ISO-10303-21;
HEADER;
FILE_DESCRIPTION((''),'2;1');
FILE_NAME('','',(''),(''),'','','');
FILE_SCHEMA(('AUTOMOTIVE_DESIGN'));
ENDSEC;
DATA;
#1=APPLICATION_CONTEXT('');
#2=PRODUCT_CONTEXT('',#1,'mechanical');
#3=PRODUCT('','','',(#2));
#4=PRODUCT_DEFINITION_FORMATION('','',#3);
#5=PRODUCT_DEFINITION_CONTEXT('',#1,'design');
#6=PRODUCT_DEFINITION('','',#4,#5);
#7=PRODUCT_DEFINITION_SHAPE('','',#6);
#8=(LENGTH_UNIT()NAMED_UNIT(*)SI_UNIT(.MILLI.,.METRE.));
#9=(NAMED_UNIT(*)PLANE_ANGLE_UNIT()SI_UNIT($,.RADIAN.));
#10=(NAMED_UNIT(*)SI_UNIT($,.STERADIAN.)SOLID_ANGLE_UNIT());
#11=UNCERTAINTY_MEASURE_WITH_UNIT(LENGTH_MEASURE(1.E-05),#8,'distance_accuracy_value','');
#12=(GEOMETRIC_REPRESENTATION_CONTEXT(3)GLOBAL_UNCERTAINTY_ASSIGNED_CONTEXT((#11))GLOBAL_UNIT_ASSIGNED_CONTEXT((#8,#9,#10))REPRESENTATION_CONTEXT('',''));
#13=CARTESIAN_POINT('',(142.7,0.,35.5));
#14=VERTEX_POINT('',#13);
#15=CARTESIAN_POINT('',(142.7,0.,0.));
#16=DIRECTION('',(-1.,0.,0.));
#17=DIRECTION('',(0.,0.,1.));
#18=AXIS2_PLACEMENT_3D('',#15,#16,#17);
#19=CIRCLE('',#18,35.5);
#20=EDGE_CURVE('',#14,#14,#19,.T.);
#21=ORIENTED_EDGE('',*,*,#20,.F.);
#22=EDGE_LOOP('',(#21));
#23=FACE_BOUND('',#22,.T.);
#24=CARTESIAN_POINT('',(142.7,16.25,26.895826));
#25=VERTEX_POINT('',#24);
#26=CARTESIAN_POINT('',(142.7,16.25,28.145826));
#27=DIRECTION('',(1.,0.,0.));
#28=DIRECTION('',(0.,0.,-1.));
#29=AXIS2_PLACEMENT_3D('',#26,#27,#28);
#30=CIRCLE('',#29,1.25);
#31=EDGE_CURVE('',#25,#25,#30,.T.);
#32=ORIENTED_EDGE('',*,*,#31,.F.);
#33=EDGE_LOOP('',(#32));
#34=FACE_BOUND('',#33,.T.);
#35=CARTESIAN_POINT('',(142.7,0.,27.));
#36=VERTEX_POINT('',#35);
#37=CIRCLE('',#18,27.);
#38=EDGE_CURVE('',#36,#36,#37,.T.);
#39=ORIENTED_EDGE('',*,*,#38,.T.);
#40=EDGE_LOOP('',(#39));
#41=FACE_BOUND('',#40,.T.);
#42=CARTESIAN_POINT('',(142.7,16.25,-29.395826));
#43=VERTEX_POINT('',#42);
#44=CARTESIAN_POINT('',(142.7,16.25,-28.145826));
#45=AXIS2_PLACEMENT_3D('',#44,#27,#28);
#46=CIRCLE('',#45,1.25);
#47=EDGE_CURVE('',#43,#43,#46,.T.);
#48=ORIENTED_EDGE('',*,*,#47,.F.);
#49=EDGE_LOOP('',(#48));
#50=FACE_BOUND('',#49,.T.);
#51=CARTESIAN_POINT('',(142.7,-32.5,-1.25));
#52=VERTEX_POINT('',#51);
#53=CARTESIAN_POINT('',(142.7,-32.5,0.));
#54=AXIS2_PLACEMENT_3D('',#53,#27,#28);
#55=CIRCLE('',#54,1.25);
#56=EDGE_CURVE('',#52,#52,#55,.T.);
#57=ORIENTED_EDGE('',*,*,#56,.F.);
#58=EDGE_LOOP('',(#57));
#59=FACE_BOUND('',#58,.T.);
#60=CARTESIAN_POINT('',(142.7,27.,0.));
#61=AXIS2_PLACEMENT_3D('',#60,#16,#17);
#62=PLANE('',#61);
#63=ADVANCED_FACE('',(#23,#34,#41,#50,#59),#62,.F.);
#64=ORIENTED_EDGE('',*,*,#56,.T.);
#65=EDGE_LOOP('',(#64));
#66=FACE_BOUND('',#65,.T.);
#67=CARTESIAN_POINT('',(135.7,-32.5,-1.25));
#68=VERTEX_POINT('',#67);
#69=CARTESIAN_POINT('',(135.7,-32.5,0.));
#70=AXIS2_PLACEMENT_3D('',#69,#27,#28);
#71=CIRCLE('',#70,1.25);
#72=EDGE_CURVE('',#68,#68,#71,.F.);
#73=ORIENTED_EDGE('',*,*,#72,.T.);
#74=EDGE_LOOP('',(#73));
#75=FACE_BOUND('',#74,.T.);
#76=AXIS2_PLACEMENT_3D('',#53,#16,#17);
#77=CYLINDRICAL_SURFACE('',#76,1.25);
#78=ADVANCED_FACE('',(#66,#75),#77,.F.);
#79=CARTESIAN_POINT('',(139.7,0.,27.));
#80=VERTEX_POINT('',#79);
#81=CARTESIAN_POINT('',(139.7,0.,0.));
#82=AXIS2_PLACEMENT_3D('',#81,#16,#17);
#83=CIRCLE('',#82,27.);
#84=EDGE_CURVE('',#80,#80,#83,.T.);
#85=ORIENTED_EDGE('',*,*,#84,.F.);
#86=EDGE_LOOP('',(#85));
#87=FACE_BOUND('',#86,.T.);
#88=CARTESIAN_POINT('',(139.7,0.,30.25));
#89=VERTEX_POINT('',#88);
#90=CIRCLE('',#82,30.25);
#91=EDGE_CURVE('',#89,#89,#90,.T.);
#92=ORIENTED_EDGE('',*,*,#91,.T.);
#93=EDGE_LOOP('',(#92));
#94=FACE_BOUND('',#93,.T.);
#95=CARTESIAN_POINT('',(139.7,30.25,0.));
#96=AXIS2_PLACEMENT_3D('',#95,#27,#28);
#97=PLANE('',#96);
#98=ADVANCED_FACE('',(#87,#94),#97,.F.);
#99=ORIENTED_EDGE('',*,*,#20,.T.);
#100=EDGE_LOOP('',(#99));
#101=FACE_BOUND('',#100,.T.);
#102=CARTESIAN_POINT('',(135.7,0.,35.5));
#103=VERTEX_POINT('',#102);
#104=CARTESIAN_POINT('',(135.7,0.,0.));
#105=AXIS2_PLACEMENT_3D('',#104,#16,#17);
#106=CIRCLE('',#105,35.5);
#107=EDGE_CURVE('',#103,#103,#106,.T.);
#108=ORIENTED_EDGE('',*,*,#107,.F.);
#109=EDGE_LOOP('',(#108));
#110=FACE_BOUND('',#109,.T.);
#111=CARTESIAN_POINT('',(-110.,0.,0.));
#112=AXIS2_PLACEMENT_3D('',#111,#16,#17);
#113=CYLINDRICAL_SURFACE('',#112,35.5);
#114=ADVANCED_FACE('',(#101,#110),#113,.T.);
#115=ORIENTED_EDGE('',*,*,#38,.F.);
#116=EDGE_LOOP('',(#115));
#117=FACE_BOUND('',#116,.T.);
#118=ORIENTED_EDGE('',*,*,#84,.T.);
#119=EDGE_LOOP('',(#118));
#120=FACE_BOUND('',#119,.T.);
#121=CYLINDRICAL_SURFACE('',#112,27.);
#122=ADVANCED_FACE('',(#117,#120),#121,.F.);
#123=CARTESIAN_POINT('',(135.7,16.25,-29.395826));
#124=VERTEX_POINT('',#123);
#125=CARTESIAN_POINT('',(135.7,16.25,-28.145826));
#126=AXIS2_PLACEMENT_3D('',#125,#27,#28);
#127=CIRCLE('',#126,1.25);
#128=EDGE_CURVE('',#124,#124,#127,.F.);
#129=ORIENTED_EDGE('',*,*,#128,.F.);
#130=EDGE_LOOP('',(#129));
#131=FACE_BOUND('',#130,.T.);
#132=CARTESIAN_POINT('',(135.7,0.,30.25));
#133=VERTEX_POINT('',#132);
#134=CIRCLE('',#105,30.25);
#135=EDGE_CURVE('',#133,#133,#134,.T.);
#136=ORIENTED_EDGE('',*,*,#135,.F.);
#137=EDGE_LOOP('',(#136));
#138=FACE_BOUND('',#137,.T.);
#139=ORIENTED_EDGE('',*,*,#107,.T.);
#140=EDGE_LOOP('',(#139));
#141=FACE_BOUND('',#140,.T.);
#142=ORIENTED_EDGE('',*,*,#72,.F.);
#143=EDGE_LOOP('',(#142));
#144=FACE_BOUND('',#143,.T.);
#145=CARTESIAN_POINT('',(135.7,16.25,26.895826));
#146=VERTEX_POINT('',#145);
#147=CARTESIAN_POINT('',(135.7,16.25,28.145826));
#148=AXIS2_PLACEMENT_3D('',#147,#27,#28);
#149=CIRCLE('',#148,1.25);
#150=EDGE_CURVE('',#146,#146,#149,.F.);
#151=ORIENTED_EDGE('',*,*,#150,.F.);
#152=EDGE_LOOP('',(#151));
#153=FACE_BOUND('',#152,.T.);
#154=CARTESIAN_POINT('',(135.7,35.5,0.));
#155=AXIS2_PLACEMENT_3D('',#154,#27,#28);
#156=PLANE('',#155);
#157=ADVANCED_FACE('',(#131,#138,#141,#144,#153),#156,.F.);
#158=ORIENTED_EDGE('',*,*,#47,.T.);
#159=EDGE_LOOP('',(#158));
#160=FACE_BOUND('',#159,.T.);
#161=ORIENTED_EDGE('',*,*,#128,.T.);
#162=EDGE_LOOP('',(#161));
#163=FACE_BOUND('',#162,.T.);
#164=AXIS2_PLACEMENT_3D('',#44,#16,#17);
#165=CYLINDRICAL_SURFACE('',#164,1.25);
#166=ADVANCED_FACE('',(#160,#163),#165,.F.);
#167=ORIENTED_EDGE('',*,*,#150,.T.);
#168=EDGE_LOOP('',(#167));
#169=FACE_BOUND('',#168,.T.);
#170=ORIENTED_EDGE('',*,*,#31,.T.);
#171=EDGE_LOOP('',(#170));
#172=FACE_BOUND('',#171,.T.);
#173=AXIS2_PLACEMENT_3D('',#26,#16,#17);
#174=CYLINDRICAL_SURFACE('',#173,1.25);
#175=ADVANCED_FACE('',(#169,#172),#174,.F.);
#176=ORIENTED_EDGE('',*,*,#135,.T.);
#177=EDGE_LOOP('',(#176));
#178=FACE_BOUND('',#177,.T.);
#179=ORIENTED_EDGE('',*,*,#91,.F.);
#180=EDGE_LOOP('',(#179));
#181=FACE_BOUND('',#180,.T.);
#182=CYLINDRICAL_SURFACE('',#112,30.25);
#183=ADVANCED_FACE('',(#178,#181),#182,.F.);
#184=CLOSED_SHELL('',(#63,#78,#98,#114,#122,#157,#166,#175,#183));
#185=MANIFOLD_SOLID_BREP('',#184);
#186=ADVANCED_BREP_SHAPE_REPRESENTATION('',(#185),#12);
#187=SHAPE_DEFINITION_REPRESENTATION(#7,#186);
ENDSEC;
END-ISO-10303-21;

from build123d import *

# Parameters (mm, degrees)
AXIAL_HOLES_DEPTH      = 152.273890675
AXIAL_HOLES_DEPTH_BACK = 152.273890675
SKETCH2_R              = 1.25


with BuildPart() as part:
    # Axial profile (mm) → Full revolution (revolve)
    with BuildSketch(Plane.XY, mode=Mode.PRIVATE) as full_revolution_sk:
        Polygon((135.7, 30.25), (139.7, 30.25), (139.7, 27), (142.7, 27), (142.7, 35.5), (135.7, 35.5), align=None)
    revolve(full_revolution_sk.sketch.rotate(Axis((-110, 0, 0), (1, 0, 0)), 90), axis=Axis((-110, 0, 0), (1, 0, 0)))

    # Sketch2 → Axial holes (cut, two sides: drawn at the far end of the back side and taken through both)
    with BuildSketch(Plane(origin=(0, 0, 0), x_dir=(0, 0, -1), z_dir=(1, 0, 0)).offset(-AXIAL_HOLES_DEPTH_BACK)):
        with Locations((-28.145825623, 16.25)):
            Circle(SKETCH2_R)
        with Locations((0, -32.5)):
            Circle(SKETCH2_R)
        with Locations((28.145825623, 16.25)):
            Circle(SKETCH2_R)
    extrude(amount=AXIAL_HOLES_DEPTH + AXIAL_HOLES_DEPTH_BACK, mode=Mode.SUBTRACT)


solid = part.part
